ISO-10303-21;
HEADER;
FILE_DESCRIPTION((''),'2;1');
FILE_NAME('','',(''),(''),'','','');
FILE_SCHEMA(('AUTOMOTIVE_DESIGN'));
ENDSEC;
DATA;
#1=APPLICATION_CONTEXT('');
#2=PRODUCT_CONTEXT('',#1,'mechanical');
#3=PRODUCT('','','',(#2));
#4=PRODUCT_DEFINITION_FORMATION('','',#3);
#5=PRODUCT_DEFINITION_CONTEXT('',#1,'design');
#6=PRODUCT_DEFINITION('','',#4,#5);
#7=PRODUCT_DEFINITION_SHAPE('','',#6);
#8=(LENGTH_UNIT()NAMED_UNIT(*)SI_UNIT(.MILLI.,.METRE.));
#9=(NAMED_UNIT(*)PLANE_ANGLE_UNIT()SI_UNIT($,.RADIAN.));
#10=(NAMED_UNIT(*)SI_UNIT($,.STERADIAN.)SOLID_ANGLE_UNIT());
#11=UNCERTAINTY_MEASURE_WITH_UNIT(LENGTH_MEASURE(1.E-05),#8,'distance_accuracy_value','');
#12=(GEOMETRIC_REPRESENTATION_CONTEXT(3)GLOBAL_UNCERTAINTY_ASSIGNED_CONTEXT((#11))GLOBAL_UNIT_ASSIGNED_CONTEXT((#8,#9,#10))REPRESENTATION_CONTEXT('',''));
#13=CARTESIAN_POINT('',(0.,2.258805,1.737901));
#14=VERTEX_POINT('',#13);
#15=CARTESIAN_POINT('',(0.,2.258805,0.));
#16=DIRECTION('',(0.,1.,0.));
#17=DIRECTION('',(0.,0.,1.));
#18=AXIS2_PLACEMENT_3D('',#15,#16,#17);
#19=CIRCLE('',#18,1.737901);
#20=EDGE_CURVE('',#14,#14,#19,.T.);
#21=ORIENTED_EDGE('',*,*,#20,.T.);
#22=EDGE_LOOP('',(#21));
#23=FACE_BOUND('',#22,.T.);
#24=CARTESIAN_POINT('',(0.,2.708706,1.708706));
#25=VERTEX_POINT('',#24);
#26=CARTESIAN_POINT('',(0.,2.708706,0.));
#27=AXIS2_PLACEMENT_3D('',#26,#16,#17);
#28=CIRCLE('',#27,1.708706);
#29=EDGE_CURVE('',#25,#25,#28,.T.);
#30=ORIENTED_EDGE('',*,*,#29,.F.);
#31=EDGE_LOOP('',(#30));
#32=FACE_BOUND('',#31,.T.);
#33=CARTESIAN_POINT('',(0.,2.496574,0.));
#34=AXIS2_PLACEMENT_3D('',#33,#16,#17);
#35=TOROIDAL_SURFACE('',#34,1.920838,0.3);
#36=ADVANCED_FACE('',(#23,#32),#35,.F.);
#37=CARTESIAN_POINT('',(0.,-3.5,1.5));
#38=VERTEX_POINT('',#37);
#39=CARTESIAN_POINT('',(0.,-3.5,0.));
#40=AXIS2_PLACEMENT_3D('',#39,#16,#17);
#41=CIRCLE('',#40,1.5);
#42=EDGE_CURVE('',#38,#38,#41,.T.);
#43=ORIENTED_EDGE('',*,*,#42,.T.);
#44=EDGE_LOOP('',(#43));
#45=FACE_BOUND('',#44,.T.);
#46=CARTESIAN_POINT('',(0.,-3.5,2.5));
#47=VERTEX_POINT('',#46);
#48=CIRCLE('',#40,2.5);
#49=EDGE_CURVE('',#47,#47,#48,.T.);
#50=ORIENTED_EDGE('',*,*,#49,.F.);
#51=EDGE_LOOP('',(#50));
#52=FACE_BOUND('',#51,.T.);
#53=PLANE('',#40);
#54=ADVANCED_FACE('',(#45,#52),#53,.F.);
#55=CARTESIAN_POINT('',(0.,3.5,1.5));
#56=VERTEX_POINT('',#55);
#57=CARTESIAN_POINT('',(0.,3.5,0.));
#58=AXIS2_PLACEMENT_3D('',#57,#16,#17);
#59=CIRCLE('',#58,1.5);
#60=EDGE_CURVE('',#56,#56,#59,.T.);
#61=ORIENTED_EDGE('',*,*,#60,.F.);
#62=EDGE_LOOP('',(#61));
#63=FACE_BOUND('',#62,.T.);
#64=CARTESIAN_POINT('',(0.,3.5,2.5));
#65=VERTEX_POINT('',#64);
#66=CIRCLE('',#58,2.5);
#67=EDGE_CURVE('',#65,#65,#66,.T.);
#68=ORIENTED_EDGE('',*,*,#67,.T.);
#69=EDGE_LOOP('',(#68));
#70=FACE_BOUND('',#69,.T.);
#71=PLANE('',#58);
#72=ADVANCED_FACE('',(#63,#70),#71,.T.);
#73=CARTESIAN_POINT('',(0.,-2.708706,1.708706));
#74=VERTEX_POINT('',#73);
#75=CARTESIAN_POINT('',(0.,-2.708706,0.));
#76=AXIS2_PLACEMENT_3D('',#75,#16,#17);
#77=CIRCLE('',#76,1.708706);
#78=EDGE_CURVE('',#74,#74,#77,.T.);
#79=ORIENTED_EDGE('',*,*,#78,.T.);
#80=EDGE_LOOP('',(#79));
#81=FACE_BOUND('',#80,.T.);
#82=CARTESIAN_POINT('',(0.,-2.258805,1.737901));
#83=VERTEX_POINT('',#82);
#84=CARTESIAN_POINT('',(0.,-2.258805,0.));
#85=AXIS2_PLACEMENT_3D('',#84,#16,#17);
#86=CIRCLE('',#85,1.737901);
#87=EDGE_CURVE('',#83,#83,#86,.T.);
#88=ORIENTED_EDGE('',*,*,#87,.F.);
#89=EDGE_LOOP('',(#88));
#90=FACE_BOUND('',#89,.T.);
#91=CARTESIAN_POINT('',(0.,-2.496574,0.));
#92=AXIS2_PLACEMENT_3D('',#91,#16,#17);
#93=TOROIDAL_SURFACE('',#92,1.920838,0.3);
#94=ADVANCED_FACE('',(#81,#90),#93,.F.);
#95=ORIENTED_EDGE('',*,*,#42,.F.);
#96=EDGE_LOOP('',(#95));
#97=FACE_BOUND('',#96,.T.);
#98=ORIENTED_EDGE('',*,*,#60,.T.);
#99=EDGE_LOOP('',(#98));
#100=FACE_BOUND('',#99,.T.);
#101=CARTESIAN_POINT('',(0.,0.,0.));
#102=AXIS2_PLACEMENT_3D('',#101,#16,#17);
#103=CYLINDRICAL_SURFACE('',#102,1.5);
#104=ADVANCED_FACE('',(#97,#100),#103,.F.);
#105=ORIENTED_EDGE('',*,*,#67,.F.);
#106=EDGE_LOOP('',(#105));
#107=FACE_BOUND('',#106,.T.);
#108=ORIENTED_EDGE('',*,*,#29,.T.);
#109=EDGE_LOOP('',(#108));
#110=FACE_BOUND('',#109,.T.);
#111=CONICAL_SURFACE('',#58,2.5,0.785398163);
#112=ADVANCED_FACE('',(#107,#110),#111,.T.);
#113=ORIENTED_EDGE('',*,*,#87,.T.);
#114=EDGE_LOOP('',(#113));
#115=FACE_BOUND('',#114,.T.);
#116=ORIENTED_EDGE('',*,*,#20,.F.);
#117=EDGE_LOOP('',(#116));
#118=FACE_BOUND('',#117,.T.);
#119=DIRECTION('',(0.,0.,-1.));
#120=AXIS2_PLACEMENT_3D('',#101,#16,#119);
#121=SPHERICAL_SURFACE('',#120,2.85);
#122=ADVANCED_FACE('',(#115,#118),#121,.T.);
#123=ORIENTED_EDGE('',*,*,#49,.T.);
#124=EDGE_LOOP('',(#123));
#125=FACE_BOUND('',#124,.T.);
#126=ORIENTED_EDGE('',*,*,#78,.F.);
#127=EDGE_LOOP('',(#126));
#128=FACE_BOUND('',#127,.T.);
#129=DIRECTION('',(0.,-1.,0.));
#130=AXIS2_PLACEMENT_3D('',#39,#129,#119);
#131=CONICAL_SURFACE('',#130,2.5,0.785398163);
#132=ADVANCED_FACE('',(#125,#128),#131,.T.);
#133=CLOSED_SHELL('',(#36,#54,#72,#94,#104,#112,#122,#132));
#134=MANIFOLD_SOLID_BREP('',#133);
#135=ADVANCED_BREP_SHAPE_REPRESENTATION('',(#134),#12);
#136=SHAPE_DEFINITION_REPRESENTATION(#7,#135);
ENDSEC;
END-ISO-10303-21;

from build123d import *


with BuildPart() as part:
    # Эскиз1 → Повернуть1 (revolve)
    with BuildSketch(Plane(origin=(0, 0, 0), x_dir=(0, 0, -1), z_dir=(1, 0, 0))):
        with BuildLine():
            Line((2.5, 3.5), (1.5, 3.5))
            Line((1.5, 3.5), (1.5, -3.5))
            Line((1.5, -3.5), (2.5, -3.5))
            Line((2.5, -3.5), (1.708705964, -2.708705964))
            ThreePointArc((1.708705964, -2.708705964), (1.621467661, -2.477147118), (1.737901046, -2.258804984))
            ThreePointArc((1.737901046, -2.258804984), (2.85, 0), (1.737901046, 2.258804984))
            ThreePointArc((1.737901046, 2.258804984), (1.621467661, 2.477147118), (1.708705964, 2.708705964))
            Line((1.708705964, 2.708705964), (2.5, 3.5))
        make_face()
    revolve(axis=Axis((0, 0, 0), (0, -1, 0)))


solid = part.part
